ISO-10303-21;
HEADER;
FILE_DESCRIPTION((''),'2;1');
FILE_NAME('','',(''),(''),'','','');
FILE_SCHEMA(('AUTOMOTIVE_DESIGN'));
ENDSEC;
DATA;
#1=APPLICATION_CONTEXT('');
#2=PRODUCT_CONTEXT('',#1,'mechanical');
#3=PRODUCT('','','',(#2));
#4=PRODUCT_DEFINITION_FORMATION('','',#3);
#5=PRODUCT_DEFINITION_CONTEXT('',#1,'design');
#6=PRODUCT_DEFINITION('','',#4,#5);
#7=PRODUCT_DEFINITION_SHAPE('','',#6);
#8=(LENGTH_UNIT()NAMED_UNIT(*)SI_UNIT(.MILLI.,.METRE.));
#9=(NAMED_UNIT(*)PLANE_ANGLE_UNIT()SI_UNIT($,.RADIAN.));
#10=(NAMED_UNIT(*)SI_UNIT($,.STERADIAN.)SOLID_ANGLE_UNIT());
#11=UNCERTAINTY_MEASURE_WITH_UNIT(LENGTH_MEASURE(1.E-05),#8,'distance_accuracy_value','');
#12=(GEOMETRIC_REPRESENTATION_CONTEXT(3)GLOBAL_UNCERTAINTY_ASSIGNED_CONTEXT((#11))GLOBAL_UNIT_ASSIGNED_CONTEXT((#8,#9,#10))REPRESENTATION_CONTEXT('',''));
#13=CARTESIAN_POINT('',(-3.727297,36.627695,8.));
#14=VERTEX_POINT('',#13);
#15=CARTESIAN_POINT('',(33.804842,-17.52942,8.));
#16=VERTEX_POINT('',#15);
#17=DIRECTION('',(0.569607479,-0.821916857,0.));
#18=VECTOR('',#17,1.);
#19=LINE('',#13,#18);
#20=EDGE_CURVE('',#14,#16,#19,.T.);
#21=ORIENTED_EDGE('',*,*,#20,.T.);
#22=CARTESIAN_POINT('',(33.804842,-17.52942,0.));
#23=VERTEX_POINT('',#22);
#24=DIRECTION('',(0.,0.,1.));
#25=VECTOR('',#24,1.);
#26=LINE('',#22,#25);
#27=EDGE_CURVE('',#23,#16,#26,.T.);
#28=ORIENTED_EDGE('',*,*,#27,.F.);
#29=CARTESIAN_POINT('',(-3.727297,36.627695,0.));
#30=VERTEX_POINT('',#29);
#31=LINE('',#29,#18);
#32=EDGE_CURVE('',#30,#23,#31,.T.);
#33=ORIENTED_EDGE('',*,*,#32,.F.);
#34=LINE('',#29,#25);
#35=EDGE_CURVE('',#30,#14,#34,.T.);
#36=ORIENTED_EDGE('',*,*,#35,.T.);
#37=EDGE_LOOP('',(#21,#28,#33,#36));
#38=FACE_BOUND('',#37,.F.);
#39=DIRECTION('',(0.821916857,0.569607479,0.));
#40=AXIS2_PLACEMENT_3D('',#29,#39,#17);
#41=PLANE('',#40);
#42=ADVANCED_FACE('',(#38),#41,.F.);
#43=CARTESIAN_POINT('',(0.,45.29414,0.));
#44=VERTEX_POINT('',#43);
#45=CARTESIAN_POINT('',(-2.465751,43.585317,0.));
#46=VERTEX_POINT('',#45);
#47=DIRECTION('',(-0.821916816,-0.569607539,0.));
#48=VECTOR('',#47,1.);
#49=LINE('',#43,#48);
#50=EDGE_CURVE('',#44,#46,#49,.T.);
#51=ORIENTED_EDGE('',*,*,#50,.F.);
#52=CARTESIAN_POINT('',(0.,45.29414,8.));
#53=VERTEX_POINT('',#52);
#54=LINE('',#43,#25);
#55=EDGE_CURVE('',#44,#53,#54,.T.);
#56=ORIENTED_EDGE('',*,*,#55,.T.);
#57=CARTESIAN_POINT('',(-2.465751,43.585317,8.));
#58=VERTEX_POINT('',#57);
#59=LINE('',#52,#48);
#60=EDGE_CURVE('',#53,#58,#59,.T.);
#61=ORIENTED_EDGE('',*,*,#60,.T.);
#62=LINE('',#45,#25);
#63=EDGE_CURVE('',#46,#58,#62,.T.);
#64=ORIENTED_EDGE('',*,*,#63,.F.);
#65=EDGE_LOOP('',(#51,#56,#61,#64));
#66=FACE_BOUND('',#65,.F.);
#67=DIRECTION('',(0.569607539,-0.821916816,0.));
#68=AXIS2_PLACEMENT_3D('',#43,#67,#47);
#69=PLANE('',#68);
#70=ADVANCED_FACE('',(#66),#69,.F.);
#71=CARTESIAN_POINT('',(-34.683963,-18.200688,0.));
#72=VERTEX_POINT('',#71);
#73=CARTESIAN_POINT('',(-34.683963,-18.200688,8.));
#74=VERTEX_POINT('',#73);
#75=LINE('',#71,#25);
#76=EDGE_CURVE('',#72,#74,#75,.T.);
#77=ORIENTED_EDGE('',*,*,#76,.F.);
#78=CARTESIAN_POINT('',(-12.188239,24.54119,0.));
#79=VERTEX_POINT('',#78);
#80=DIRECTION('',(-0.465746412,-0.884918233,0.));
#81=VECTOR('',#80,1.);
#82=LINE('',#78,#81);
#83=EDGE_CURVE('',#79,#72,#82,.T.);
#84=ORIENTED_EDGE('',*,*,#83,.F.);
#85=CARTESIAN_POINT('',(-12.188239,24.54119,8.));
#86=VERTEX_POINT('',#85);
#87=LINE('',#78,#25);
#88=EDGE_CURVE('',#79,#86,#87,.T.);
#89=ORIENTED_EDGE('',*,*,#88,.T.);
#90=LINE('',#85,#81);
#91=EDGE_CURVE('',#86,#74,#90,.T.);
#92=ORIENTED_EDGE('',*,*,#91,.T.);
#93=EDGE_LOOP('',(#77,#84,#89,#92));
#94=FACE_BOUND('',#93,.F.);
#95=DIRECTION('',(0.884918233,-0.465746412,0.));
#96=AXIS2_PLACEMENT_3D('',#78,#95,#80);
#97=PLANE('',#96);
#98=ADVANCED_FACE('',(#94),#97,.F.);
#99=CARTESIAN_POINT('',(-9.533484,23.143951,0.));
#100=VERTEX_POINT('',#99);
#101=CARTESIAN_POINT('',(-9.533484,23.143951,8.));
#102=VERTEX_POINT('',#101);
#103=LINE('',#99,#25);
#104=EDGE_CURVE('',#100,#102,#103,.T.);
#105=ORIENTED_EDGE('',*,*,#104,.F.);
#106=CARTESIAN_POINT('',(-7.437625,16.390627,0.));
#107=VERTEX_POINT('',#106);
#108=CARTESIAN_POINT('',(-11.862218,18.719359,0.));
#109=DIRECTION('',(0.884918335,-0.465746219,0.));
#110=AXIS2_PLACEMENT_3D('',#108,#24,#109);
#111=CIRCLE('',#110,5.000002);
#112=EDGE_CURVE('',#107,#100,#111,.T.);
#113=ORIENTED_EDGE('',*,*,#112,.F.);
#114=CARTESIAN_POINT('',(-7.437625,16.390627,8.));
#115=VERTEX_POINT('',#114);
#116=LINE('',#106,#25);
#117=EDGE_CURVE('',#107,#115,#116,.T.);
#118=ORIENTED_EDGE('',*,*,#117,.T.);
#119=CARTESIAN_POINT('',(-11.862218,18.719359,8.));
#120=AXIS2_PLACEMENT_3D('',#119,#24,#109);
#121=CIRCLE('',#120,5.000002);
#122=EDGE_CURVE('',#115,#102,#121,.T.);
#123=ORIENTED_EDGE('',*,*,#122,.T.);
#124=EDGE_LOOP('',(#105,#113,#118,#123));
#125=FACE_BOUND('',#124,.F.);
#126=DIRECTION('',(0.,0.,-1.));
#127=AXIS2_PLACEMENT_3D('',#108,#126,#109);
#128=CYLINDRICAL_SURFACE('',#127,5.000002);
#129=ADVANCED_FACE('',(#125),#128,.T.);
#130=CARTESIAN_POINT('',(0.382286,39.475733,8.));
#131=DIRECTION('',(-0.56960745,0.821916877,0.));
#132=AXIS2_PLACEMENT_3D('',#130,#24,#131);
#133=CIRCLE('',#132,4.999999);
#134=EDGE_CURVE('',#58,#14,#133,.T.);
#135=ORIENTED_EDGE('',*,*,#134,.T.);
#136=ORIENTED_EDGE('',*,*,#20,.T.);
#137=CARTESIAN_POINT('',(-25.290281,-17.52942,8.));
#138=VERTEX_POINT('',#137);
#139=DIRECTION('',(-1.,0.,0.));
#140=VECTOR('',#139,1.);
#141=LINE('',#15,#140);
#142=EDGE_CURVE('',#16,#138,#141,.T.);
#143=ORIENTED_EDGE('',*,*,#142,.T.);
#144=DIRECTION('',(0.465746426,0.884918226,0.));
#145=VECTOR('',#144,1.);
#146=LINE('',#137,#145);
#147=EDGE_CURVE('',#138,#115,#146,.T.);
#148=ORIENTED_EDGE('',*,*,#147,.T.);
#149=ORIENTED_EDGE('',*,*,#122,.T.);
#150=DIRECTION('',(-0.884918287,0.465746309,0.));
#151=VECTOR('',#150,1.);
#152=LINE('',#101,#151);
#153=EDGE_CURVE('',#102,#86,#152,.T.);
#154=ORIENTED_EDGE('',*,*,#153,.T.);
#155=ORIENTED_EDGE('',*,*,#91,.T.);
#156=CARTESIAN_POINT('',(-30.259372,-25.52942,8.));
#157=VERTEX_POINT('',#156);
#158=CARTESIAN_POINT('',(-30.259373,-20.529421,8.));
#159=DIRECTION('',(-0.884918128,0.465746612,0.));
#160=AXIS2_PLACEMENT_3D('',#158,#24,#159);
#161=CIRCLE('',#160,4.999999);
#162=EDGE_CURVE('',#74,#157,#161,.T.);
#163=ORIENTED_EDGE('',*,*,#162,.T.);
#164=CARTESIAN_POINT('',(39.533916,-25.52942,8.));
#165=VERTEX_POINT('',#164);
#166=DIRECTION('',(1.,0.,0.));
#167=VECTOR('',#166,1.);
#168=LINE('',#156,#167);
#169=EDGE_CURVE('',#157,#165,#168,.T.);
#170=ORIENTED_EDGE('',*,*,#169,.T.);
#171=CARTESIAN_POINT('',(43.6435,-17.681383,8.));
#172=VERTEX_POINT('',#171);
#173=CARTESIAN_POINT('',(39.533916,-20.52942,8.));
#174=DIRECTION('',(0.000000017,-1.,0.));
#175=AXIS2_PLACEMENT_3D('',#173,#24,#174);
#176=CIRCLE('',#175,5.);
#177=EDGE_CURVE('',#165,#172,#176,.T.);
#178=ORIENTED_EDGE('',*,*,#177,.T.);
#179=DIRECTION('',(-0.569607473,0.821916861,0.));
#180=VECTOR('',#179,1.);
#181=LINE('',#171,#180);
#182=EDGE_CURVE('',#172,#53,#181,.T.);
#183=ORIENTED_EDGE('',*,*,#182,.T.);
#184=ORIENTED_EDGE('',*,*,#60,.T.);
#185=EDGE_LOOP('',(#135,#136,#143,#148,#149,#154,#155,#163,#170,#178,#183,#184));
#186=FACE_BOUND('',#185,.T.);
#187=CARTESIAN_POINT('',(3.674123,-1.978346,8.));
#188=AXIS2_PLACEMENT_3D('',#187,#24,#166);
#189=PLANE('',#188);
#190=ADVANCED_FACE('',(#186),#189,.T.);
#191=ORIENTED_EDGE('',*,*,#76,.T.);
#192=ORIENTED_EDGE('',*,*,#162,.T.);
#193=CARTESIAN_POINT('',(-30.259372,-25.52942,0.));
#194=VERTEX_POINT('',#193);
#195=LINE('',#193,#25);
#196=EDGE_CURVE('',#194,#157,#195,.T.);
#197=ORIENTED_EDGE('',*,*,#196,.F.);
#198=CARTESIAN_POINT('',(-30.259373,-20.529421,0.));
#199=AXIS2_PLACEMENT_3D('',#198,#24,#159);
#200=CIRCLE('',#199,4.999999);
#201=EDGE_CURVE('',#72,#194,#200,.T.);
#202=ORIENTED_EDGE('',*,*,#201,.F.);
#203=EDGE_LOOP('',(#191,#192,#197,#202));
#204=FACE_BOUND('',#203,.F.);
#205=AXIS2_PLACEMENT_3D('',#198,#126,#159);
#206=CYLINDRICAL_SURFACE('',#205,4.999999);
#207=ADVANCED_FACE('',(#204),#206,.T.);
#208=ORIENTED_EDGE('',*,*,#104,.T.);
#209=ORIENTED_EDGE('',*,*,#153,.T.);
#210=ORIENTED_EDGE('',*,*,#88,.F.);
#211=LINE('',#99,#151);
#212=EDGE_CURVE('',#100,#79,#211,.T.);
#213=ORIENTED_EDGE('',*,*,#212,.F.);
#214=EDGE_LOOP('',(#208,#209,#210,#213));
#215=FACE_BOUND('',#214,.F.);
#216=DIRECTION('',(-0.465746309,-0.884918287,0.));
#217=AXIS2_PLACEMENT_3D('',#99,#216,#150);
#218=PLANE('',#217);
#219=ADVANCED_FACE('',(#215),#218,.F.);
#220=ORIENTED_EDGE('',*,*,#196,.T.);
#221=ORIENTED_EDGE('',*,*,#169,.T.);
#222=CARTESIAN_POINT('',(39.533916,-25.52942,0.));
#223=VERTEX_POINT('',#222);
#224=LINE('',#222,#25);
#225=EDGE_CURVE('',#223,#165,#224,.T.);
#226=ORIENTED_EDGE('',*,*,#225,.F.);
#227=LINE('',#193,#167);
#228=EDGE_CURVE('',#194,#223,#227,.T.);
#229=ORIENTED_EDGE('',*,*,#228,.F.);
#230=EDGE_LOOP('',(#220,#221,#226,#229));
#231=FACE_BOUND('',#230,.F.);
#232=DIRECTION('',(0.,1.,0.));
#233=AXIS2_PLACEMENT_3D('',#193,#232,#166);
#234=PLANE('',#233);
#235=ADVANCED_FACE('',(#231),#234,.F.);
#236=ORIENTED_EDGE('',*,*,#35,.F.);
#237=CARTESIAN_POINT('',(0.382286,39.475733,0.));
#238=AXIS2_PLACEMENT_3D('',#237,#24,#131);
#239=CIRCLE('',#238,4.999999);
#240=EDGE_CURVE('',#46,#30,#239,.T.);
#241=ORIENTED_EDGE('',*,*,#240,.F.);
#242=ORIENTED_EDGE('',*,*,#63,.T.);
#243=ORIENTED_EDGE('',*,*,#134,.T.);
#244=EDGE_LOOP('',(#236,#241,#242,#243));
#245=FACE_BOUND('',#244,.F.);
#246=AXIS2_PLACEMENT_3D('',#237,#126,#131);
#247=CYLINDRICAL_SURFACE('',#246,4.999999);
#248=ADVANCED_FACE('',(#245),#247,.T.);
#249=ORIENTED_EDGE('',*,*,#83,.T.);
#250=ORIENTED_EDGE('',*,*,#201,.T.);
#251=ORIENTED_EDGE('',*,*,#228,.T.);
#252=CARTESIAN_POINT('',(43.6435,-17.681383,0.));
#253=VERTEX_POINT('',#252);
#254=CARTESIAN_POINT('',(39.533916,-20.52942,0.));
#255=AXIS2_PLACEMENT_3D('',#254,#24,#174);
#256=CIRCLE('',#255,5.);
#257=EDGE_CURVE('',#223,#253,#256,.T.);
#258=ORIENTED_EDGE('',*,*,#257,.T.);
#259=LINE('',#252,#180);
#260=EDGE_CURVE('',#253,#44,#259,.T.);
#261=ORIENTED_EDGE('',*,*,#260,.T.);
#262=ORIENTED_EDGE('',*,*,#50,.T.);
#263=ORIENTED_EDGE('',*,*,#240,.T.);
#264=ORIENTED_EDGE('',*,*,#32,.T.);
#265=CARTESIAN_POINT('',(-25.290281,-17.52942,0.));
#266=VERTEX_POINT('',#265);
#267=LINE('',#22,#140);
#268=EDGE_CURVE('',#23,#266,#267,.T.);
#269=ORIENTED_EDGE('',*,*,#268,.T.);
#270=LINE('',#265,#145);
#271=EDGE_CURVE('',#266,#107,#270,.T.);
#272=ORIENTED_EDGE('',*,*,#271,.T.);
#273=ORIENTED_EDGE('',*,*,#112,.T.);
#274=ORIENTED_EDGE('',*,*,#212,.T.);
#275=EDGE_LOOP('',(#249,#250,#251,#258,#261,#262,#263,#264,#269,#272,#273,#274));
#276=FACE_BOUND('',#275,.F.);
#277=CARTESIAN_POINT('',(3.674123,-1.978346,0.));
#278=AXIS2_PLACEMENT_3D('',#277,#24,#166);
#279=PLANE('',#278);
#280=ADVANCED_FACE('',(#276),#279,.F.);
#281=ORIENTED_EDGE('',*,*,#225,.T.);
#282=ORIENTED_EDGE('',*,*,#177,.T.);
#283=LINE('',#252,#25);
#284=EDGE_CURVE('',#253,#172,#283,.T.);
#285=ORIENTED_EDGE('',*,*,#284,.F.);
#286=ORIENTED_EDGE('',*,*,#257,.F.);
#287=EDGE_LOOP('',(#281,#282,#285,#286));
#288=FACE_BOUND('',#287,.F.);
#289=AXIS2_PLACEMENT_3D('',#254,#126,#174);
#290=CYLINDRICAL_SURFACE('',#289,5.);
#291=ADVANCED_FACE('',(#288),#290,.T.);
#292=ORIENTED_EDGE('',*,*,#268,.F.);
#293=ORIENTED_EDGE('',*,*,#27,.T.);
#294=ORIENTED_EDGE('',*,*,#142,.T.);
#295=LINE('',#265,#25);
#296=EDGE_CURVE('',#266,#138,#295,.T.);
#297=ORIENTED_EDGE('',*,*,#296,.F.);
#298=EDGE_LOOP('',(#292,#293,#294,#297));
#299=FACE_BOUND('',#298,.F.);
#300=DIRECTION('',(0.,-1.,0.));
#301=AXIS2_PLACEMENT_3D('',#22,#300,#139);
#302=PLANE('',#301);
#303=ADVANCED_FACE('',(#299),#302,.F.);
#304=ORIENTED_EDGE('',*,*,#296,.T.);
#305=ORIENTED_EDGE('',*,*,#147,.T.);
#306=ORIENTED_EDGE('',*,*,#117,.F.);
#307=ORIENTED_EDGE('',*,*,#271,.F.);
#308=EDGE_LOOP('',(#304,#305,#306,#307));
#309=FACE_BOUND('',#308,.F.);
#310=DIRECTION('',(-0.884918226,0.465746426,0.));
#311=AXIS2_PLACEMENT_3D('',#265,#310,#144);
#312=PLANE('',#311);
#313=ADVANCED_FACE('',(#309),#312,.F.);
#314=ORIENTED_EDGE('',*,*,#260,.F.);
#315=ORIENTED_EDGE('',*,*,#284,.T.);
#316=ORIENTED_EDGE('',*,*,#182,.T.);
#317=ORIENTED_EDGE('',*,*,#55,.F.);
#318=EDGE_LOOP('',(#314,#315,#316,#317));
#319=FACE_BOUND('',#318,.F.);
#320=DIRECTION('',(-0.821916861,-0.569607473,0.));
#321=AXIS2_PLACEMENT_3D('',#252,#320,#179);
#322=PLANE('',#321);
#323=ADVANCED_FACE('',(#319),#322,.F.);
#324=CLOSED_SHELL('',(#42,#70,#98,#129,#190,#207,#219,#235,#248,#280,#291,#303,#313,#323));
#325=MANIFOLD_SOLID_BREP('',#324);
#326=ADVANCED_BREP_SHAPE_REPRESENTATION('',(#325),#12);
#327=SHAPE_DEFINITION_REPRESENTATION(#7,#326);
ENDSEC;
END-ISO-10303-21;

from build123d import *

# Parameters (mm, degrees)
F1_DEPTH = 8


with BuildPart() as f1:
    # F0 (on Top) → F1 (new body)
    with BuildSketch(Plane.XY):
        with BuildLine():
            ThreePointArc((-34.683963, -18.200688), (-34.539773, -23.113636), (-30.259372, -25.52942))
            Line((-30.259372, -25.52942), (39.533916, -25.52942))
            ThreePointArc((39.533916, -25.52942), (43.963373, -22.848883), (43.6435, -17.681383))
            Line((43.6435, -17.681383), (0, 45.29414))
            Line((0, 45.29414), (-2.465751, 43.585317))
            ThreePointArc((-2.465751, 43.585317), (-4.537495, 40.367781), (-3.727297, 36.627695))
            Line((-3.727297, 36.627695), (33.804842, -17.52942))
            Line((33.804842, -17.52942), (-25.290281, -17.52942))
            Line((-25.290281, -17.52942), (-7.437625, 16.390627))
            ThreePointArc((-7.437625, 16.390627), (-7.086896, 20.201356), (-9.533484, 23.143951))
            Line((-9.533484, 23.143951), (-12.188239, 24.54119))
            Line((-12.188239, 24.54119), (-34.683963, -18.200688))
        make_face()
    extrude(amount=F1_DEPTH)


solid = f1.part
